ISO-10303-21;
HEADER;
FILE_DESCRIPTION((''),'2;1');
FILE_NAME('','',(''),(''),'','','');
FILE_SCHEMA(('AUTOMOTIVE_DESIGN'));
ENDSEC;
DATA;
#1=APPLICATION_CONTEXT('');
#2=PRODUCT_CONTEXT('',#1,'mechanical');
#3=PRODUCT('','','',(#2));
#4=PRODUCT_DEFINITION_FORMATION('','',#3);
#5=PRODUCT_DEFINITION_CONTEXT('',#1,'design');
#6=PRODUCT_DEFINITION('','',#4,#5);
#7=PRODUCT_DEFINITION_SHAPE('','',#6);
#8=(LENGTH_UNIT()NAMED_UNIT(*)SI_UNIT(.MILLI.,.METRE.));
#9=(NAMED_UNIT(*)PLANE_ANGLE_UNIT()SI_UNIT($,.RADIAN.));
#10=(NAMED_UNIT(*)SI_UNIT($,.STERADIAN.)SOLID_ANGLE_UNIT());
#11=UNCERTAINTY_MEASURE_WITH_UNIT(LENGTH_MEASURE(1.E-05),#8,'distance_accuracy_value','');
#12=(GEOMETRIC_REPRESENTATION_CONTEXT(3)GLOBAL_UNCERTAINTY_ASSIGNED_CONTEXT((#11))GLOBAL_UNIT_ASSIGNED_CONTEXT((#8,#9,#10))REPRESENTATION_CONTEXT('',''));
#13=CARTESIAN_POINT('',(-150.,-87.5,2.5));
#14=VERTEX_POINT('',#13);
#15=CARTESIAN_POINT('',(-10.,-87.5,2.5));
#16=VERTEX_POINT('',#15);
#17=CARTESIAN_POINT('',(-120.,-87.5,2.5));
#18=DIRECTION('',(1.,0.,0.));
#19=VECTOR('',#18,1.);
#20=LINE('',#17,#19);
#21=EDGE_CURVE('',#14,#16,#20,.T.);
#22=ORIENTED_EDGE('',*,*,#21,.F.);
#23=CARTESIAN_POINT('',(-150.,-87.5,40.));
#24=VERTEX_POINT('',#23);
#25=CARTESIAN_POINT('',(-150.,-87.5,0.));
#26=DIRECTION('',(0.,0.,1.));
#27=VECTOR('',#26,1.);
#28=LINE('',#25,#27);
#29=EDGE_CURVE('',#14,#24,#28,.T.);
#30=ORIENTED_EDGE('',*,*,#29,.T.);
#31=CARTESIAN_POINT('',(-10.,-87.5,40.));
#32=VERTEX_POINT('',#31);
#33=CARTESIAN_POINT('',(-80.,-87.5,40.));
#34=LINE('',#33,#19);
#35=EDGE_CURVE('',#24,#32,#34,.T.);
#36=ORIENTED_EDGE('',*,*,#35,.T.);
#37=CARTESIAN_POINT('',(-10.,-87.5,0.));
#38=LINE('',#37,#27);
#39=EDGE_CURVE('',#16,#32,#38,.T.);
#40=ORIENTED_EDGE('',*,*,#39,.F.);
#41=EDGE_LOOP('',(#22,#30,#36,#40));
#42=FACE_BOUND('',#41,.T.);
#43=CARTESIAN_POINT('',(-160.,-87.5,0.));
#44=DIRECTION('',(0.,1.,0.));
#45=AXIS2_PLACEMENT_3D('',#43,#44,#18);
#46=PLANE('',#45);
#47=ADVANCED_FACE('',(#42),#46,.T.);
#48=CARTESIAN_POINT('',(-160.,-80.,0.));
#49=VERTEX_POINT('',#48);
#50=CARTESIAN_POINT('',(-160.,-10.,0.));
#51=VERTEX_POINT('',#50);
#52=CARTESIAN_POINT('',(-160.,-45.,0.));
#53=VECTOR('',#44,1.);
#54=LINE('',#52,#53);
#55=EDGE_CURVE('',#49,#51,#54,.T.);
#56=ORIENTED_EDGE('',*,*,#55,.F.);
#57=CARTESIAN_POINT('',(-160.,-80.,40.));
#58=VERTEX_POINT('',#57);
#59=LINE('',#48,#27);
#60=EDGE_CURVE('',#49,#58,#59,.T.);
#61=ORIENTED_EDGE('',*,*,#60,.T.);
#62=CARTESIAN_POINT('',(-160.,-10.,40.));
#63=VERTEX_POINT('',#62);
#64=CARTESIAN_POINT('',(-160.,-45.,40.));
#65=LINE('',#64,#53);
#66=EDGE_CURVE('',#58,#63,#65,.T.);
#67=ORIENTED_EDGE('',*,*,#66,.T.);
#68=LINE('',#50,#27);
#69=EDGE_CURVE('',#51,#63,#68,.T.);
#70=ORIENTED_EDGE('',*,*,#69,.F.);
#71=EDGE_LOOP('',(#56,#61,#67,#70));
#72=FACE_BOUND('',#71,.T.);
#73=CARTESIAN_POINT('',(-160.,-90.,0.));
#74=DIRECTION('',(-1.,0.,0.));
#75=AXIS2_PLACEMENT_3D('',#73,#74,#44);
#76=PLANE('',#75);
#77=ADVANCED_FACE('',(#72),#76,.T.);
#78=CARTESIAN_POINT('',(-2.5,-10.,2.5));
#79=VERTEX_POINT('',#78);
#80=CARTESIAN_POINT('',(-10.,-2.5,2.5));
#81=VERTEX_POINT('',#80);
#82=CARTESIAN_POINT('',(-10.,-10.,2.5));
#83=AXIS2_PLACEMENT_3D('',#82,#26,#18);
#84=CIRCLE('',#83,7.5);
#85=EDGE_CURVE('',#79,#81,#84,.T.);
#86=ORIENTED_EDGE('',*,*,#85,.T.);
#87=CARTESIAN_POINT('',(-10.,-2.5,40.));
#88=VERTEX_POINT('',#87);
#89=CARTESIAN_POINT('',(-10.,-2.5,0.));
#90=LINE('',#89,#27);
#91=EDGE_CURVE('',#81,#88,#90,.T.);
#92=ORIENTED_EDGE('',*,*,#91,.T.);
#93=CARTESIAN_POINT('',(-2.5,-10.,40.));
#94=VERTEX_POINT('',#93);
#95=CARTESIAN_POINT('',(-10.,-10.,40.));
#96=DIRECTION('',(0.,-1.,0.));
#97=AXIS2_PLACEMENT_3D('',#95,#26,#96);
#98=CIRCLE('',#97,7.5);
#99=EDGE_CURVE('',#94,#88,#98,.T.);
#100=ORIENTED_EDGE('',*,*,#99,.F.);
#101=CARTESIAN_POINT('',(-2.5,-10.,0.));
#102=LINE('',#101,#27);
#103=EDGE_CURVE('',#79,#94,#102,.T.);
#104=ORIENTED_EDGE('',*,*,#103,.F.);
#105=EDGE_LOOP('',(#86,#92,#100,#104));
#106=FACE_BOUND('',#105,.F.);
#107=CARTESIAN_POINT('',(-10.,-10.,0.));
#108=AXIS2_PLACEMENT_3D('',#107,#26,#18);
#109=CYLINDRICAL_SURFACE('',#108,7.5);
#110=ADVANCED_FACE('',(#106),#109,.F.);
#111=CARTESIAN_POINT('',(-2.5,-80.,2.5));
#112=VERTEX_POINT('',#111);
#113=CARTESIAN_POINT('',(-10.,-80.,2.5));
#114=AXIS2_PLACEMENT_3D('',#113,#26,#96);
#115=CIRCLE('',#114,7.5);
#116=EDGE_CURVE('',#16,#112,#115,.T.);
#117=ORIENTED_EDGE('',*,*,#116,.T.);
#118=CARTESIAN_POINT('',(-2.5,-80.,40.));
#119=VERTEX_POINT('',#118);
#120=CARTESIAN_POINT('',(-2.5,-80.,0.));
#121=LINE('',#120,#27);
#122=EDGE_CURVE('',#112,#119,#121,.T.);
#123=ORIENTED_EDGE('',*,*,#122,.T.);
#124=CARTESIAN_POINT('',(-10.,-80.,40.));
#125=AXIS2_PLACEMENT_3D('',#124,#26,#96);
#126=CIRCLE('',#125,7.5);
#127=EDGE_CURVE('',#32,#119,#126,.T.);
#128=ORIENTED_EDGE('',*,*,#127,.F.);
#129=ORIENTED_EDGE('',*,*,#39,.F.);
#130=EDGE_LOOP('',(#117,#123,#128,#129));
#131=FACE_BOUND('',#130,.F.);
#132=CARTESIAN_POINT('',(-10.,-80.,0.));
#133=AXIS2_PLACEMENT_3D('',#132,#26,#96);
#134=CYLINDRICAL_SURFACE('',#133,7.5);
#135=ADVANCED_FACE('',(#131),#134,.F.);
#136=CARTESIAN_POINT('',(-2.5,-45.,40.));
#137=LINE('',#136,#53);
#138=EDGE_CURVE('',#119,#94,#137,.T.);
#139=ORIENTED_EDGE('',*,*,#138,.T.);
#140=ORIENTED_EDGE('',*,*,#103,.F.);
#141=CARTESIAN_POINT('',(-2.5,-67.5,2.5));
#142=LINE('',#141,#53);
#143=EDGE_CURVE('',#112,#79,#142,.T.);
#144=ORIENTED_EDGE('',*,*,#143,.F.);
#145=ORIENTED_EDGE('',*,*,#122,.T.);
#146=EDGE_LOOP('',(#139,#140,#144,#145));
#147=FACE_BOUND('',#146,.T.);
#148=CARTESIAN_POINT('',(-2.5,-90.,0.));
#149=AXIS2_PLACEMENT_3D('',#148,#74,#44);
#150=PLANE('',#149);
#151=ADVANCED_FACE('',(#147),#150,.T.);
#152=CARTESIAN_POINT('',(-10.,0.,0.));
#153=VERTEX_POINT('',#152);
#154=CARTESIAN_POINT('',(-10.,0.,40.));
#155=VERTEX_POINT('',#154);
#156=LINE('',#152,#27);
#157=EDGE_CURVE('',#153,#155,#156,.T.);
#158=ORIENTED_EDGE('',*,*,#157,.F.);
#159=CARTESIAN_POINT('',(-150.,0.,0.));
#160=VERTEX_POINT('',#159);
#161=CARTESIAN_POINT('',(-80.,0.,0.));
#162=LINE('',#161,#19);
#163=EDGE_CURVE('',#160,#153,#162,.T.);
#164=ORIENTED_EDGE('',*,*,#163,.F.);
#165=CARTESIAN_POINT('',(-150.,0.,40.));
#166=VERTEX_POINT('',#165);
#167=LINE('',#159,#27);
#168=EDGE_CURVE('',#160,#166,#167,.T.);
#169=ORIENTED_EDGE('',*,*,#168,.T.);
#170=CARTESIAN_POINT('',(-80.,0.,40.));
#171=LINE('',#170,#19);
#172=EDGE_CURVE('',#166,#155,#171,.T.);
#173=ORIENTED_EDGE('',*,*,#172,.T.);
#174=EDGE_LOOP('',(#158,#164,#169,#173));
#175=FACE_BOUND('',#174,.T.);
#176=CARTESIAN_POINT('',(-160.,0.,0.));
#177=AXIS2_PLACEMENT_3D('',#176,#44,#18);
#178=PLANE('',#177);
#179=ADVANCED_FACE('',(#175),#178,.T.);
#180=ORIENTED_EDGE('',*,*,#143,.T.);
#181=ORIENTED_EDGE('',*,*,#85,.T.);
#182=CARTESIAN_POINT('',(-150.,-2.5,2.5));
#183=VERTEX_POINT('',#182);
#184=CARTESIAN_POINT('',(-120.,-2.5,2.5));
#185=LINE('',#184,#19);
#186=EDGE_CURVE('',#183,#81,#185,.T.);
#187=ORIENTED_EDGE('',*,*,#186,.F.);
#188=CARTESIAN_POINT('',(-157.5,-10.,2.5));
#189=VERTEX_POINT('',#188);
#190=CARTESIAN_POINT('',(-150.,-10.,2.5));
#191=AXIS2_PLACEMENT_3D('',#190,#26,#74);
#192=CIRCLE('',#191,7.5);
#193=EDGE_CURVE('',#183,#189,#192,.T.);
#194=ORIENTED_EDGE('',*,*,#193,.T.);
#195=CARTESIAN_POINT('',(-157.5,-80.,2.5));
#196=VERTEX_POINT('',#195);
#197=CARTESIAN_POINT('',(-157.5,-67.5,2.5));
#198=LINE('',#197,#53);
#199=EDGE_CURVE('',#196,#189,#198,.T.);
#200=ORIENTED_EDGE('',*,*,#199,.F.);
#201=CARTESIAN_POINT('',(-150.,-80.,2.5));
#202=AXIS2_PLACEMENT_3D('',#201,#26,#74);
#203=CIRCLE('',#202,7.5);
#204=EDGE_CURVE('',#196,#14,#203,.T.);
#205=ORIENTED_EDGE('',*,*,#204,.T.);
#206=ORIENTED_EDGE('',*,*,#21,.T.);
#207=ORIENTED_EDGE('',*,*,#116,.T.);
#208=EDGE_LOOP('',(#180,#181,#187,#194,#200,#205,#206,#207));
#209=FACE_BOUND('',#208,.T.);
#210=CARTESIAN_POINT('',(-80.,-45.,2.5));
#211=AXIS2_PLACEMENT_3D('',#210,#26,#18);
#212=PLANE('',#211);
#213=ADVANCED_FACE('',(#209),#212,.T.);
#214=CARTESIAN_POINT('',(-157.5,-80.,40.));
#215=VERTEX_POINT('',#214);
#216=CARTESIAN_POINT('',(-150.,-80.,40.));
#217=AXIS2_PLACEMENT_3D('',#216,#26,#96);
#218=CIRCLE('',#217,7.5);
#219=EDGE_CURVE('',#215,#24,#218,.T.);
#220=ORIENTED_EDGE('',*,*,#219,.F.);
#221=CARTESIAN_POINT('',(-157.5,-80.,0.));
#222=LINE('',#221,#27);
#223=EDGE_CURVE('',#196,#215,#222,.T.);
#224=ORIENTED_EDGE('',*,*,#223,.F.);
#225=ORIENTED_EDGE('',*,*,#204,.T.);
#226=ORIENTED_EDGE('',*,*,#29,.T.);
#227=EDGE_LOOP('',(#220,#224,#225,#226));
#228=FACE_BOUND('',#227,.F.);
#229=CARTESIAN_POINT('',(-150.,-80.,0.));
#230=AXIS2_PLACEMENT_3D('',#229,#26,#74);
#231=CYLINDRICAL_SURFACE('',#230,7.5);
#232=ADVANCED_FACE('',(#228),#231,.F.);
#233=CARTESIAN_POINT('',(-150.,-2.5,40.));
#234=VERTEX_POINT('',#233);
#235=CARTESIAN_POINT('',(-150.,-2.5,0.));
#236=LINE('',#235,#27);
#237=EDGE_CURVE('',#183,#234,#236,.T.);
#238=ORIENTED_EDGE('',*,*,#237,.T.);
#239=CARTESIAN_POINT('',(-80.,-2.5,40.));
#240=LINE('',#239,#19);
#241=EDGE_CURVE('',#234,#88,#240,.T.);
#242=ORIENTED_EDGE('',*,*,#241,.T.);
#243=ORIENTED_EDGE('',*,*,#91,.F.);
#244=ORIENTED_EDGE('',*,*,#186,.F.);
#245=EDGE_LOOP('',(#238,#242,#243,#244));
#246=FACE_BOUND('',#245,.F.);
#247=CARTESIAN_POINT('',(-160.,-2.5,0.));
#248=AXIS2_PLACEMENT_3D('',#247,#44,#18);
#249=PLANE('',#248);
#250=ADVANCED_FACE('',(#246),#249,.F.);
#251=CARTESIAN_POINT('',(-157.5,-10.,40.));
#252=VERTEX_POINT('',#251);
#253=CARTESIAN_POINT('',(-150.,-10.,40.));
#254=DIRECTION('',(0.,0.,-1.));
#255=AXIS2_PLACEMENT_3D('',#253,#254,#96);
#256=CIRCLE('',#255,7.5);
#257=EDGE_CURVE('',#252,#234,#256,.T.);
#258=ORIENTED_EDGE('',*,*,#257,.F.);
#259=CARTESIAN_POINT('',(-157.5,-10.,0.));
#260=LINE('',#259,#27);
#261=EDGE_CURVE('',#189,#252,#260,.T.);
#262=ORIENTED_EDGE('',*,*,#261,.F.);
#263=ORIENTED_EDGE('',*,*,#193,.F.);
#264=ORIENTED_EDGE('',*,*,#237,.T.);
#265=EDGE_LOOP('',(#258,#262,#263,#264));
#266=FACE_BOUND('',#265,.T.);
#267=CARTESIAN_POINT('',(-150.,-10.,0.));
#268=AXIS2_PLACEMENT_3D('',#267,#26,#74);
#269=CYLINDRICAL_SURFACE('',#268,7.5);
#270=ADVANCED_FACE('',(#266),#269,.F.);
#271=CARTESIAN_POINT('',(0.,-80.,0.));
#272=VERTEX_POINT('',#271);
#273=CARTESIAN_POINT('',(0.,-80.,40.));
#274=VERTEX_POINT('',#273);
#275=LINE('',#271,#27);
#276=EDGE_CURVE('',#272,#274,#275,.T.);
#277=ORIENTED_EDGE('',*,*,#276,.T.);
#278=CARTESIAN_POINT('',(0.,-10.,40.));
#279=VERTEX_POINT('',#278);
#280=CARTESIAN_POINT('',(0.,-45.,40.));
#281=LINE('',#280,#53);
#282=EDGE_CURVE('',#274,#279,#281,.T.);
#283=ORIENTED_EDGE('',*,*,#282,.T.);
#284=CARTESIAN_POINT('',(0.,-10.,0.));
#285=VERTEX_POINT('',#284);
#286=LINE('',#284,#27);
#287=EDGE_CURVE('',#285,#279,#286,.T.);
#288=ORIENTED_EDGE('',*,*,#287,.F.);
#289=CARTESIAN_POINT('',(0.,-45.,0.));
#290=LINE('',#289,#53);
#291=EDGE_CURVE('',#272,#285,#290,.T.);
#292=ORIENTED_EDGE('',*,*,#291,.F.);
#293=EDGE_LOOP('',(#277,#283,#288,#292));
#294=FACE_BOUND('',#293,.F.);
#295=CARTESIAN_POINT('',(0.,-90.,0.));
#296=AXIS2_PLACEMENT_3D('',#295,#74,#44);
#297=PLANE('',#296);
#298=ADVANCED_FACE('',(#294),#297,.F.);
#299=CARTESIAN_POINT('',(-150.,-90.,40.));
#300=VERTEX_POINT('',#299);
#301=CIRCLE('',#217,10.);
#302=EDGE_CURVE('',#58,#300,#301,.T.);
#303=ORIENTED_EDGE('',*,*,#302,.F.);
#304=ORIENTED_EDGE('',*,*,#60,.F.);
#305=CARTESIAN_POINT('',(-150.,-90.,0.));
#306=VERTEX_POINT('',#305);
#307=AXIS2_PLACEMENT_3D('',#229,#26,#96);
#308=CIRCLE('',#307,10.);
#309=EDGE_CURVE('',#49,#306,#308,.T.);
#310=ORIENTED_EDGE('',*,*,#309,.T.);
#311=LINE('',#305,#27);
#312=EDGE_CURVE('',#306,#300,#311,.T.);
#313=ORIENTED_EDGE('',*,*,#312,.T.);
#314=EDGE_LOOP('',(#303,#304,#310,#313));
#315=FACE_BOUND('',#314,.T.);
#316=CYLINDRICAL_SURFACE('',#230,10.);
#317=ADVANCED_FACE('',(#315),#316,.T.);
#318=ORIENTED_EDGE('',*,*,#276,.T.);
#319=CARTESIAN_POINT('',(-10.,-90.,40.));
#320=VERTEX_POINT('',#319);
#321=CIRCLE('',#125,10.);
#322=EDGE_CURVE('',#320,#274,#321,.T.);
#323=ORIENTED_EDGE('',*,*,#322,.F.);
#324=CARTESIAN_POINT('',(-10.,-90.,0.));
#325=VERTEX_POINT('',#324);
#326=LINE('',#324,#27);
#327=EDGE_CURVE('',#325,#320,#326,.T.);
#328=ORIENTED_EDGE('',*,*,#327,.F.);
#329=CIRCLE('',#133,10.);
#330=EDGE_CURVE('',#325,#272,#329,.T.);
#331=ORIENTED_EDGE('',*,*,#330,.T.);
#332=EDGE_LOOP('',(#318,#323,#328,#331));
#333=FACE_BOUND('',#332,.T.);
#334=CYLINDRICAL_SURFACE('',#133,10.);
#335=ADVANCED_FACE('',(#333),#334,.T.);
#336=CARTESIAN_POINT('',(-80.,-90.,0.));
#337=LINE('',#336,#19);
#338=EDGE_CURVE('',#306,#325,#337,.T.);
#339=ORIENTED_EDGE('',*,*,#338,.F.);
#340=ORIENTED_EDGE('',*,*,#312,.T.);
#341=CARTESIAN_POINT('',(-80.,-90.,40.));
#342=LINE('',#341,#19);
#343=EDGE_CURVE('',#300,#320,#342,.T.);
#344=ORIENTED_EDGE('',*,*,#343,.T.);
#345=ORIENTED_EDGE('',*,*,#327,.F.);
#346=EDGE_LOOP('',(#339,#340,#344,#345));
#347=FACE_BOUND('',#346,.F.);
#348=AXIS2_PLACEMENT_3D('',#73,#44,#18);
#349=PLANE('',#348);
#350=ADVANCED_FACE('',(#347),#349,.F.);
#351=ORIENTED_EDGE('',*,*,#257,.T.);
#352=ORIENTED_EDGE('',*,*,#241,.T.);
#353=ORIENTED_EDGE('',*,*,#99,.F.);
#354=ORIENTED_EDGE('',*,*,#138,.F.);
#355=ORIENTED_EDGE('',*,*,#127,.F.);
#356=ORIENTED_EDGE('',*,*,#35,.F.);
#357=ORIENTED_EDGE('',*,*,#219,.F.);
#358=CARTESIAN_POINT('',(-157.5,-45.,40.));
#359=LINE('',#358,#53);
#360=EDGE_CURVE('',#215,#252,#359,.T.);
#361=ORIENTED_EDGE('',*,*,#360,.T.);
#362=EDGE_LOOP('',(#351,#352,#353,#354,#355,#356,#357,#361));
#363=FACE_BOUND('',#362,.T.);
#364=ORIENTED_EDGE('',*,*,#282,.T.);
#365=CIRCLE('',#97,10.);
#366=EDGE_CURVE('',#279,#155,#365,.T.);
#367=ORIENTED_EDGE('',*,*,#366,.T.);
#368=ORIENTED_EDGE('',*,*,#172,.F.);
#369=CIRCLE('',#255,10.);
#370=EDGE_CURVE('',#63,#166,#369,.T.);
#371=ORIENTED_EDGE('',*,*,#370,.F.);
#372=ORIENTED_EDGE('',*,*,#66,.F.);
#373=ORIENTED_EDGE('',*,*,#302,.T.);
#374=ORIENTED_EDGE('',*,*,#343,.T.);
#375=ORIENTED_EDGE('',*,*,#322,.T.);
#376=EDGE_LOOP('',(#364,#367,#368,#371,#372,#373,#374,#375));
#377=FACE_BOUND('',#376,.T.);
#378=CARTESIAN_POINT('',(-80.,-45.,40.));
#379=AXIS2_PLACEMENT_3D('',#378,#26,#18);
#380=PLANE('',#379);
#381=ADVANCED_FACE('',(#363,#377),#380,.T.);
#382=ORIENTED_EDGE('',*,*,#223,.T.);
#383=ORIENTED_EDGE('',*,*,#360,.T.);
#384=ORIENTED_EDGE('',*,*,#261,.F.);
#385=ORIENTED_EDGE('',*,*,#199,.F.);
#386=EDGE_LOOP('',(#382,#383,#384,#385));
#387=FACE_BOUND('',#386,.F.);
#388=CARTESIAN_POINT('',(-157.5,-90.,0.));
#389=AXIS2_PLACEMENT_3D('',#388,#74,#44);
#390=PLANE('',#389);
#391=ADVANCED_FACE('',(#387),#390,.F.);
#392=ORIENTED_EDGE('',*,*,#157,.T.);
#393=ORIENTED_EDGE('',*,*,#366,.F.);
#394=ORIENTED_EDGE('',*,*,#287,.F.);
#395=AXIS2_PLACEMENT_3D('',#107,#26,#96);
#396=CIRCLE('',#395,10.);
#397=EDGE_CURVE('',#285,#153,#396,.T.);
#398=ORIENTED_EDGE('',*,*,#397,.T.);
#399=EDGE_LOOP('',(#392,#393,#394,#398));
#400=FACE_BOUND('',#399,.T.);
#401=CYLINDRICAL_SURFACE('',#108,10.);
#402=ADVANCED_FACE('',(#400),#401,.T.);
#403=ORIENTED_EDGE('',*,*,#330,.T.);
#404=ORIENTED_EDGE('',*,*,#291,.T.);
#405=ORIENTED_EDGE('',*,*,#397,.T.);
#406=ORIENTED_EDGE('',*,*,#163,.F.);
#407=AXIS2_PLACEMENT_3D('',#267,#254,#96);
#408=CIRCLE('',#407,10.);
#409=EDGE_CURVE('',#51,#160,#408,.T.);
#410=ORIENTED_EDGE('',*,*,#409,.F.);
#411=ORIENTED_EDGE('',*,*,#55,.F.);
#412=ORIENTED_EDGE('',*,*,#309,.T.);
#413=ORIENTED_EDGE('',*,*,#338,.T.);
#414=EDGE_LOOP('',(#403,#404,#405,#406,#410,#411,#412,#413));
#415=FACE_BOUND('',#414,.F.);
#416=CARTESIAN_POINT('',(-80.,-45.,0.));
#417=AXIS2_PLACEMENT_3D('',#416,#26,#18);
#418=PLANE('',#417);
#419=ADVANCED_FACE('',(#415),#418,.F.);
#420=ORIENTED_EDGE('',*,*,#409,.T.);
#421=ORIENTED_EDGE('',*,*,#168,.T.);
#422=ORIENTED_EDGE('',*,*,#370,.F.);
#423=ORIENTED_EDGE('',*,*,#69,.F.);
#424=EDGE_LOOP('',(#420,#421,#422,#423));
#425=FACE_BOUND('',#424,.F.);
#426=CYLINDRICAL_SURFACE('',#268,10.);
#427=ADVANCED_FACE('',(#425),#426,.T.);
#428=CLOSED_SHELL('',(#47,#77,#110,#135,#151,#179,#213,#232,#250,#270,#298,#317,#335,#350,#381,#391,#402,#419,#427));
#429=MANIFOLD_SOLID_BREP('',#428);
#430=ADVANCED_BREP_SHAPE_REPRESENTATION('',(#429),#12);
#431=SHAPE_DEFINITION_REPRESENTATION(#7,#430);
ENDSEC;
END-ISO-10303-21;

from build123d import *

# Parameters (mm, degrees)
F0_W     = 160
F0_H     = 90
F1_DEPTH = 40
F2_R     = 10
F3_T     = -2.5


with BuildPart() as f1:
    # F0 (on Top) → F1 (new body)
    with BuildSketch(Plane.XY):
        with Locations((-80, -45)):
            Rectangle(F0_W, F0_H)
    extrude(amount=F1_DEPTH)

    # F2
    f2_edges = [f1.edges().sort_by_distance(p)[0] for p in [
        (-160, -90, 20),
        (0, 0, 20),
        (0, -90, 20),
        (-160, 0, 20),
    ]]
    fillet(f2_edges, radius=F2_R)

    # F3
    f3_openings = [f1.faces().sort_by_distance(p)[0] for p in [
        (-80, -45, 40),
    ]]
    offset(amount=F3_T, openings=f3_openings)


solid = f1.part
